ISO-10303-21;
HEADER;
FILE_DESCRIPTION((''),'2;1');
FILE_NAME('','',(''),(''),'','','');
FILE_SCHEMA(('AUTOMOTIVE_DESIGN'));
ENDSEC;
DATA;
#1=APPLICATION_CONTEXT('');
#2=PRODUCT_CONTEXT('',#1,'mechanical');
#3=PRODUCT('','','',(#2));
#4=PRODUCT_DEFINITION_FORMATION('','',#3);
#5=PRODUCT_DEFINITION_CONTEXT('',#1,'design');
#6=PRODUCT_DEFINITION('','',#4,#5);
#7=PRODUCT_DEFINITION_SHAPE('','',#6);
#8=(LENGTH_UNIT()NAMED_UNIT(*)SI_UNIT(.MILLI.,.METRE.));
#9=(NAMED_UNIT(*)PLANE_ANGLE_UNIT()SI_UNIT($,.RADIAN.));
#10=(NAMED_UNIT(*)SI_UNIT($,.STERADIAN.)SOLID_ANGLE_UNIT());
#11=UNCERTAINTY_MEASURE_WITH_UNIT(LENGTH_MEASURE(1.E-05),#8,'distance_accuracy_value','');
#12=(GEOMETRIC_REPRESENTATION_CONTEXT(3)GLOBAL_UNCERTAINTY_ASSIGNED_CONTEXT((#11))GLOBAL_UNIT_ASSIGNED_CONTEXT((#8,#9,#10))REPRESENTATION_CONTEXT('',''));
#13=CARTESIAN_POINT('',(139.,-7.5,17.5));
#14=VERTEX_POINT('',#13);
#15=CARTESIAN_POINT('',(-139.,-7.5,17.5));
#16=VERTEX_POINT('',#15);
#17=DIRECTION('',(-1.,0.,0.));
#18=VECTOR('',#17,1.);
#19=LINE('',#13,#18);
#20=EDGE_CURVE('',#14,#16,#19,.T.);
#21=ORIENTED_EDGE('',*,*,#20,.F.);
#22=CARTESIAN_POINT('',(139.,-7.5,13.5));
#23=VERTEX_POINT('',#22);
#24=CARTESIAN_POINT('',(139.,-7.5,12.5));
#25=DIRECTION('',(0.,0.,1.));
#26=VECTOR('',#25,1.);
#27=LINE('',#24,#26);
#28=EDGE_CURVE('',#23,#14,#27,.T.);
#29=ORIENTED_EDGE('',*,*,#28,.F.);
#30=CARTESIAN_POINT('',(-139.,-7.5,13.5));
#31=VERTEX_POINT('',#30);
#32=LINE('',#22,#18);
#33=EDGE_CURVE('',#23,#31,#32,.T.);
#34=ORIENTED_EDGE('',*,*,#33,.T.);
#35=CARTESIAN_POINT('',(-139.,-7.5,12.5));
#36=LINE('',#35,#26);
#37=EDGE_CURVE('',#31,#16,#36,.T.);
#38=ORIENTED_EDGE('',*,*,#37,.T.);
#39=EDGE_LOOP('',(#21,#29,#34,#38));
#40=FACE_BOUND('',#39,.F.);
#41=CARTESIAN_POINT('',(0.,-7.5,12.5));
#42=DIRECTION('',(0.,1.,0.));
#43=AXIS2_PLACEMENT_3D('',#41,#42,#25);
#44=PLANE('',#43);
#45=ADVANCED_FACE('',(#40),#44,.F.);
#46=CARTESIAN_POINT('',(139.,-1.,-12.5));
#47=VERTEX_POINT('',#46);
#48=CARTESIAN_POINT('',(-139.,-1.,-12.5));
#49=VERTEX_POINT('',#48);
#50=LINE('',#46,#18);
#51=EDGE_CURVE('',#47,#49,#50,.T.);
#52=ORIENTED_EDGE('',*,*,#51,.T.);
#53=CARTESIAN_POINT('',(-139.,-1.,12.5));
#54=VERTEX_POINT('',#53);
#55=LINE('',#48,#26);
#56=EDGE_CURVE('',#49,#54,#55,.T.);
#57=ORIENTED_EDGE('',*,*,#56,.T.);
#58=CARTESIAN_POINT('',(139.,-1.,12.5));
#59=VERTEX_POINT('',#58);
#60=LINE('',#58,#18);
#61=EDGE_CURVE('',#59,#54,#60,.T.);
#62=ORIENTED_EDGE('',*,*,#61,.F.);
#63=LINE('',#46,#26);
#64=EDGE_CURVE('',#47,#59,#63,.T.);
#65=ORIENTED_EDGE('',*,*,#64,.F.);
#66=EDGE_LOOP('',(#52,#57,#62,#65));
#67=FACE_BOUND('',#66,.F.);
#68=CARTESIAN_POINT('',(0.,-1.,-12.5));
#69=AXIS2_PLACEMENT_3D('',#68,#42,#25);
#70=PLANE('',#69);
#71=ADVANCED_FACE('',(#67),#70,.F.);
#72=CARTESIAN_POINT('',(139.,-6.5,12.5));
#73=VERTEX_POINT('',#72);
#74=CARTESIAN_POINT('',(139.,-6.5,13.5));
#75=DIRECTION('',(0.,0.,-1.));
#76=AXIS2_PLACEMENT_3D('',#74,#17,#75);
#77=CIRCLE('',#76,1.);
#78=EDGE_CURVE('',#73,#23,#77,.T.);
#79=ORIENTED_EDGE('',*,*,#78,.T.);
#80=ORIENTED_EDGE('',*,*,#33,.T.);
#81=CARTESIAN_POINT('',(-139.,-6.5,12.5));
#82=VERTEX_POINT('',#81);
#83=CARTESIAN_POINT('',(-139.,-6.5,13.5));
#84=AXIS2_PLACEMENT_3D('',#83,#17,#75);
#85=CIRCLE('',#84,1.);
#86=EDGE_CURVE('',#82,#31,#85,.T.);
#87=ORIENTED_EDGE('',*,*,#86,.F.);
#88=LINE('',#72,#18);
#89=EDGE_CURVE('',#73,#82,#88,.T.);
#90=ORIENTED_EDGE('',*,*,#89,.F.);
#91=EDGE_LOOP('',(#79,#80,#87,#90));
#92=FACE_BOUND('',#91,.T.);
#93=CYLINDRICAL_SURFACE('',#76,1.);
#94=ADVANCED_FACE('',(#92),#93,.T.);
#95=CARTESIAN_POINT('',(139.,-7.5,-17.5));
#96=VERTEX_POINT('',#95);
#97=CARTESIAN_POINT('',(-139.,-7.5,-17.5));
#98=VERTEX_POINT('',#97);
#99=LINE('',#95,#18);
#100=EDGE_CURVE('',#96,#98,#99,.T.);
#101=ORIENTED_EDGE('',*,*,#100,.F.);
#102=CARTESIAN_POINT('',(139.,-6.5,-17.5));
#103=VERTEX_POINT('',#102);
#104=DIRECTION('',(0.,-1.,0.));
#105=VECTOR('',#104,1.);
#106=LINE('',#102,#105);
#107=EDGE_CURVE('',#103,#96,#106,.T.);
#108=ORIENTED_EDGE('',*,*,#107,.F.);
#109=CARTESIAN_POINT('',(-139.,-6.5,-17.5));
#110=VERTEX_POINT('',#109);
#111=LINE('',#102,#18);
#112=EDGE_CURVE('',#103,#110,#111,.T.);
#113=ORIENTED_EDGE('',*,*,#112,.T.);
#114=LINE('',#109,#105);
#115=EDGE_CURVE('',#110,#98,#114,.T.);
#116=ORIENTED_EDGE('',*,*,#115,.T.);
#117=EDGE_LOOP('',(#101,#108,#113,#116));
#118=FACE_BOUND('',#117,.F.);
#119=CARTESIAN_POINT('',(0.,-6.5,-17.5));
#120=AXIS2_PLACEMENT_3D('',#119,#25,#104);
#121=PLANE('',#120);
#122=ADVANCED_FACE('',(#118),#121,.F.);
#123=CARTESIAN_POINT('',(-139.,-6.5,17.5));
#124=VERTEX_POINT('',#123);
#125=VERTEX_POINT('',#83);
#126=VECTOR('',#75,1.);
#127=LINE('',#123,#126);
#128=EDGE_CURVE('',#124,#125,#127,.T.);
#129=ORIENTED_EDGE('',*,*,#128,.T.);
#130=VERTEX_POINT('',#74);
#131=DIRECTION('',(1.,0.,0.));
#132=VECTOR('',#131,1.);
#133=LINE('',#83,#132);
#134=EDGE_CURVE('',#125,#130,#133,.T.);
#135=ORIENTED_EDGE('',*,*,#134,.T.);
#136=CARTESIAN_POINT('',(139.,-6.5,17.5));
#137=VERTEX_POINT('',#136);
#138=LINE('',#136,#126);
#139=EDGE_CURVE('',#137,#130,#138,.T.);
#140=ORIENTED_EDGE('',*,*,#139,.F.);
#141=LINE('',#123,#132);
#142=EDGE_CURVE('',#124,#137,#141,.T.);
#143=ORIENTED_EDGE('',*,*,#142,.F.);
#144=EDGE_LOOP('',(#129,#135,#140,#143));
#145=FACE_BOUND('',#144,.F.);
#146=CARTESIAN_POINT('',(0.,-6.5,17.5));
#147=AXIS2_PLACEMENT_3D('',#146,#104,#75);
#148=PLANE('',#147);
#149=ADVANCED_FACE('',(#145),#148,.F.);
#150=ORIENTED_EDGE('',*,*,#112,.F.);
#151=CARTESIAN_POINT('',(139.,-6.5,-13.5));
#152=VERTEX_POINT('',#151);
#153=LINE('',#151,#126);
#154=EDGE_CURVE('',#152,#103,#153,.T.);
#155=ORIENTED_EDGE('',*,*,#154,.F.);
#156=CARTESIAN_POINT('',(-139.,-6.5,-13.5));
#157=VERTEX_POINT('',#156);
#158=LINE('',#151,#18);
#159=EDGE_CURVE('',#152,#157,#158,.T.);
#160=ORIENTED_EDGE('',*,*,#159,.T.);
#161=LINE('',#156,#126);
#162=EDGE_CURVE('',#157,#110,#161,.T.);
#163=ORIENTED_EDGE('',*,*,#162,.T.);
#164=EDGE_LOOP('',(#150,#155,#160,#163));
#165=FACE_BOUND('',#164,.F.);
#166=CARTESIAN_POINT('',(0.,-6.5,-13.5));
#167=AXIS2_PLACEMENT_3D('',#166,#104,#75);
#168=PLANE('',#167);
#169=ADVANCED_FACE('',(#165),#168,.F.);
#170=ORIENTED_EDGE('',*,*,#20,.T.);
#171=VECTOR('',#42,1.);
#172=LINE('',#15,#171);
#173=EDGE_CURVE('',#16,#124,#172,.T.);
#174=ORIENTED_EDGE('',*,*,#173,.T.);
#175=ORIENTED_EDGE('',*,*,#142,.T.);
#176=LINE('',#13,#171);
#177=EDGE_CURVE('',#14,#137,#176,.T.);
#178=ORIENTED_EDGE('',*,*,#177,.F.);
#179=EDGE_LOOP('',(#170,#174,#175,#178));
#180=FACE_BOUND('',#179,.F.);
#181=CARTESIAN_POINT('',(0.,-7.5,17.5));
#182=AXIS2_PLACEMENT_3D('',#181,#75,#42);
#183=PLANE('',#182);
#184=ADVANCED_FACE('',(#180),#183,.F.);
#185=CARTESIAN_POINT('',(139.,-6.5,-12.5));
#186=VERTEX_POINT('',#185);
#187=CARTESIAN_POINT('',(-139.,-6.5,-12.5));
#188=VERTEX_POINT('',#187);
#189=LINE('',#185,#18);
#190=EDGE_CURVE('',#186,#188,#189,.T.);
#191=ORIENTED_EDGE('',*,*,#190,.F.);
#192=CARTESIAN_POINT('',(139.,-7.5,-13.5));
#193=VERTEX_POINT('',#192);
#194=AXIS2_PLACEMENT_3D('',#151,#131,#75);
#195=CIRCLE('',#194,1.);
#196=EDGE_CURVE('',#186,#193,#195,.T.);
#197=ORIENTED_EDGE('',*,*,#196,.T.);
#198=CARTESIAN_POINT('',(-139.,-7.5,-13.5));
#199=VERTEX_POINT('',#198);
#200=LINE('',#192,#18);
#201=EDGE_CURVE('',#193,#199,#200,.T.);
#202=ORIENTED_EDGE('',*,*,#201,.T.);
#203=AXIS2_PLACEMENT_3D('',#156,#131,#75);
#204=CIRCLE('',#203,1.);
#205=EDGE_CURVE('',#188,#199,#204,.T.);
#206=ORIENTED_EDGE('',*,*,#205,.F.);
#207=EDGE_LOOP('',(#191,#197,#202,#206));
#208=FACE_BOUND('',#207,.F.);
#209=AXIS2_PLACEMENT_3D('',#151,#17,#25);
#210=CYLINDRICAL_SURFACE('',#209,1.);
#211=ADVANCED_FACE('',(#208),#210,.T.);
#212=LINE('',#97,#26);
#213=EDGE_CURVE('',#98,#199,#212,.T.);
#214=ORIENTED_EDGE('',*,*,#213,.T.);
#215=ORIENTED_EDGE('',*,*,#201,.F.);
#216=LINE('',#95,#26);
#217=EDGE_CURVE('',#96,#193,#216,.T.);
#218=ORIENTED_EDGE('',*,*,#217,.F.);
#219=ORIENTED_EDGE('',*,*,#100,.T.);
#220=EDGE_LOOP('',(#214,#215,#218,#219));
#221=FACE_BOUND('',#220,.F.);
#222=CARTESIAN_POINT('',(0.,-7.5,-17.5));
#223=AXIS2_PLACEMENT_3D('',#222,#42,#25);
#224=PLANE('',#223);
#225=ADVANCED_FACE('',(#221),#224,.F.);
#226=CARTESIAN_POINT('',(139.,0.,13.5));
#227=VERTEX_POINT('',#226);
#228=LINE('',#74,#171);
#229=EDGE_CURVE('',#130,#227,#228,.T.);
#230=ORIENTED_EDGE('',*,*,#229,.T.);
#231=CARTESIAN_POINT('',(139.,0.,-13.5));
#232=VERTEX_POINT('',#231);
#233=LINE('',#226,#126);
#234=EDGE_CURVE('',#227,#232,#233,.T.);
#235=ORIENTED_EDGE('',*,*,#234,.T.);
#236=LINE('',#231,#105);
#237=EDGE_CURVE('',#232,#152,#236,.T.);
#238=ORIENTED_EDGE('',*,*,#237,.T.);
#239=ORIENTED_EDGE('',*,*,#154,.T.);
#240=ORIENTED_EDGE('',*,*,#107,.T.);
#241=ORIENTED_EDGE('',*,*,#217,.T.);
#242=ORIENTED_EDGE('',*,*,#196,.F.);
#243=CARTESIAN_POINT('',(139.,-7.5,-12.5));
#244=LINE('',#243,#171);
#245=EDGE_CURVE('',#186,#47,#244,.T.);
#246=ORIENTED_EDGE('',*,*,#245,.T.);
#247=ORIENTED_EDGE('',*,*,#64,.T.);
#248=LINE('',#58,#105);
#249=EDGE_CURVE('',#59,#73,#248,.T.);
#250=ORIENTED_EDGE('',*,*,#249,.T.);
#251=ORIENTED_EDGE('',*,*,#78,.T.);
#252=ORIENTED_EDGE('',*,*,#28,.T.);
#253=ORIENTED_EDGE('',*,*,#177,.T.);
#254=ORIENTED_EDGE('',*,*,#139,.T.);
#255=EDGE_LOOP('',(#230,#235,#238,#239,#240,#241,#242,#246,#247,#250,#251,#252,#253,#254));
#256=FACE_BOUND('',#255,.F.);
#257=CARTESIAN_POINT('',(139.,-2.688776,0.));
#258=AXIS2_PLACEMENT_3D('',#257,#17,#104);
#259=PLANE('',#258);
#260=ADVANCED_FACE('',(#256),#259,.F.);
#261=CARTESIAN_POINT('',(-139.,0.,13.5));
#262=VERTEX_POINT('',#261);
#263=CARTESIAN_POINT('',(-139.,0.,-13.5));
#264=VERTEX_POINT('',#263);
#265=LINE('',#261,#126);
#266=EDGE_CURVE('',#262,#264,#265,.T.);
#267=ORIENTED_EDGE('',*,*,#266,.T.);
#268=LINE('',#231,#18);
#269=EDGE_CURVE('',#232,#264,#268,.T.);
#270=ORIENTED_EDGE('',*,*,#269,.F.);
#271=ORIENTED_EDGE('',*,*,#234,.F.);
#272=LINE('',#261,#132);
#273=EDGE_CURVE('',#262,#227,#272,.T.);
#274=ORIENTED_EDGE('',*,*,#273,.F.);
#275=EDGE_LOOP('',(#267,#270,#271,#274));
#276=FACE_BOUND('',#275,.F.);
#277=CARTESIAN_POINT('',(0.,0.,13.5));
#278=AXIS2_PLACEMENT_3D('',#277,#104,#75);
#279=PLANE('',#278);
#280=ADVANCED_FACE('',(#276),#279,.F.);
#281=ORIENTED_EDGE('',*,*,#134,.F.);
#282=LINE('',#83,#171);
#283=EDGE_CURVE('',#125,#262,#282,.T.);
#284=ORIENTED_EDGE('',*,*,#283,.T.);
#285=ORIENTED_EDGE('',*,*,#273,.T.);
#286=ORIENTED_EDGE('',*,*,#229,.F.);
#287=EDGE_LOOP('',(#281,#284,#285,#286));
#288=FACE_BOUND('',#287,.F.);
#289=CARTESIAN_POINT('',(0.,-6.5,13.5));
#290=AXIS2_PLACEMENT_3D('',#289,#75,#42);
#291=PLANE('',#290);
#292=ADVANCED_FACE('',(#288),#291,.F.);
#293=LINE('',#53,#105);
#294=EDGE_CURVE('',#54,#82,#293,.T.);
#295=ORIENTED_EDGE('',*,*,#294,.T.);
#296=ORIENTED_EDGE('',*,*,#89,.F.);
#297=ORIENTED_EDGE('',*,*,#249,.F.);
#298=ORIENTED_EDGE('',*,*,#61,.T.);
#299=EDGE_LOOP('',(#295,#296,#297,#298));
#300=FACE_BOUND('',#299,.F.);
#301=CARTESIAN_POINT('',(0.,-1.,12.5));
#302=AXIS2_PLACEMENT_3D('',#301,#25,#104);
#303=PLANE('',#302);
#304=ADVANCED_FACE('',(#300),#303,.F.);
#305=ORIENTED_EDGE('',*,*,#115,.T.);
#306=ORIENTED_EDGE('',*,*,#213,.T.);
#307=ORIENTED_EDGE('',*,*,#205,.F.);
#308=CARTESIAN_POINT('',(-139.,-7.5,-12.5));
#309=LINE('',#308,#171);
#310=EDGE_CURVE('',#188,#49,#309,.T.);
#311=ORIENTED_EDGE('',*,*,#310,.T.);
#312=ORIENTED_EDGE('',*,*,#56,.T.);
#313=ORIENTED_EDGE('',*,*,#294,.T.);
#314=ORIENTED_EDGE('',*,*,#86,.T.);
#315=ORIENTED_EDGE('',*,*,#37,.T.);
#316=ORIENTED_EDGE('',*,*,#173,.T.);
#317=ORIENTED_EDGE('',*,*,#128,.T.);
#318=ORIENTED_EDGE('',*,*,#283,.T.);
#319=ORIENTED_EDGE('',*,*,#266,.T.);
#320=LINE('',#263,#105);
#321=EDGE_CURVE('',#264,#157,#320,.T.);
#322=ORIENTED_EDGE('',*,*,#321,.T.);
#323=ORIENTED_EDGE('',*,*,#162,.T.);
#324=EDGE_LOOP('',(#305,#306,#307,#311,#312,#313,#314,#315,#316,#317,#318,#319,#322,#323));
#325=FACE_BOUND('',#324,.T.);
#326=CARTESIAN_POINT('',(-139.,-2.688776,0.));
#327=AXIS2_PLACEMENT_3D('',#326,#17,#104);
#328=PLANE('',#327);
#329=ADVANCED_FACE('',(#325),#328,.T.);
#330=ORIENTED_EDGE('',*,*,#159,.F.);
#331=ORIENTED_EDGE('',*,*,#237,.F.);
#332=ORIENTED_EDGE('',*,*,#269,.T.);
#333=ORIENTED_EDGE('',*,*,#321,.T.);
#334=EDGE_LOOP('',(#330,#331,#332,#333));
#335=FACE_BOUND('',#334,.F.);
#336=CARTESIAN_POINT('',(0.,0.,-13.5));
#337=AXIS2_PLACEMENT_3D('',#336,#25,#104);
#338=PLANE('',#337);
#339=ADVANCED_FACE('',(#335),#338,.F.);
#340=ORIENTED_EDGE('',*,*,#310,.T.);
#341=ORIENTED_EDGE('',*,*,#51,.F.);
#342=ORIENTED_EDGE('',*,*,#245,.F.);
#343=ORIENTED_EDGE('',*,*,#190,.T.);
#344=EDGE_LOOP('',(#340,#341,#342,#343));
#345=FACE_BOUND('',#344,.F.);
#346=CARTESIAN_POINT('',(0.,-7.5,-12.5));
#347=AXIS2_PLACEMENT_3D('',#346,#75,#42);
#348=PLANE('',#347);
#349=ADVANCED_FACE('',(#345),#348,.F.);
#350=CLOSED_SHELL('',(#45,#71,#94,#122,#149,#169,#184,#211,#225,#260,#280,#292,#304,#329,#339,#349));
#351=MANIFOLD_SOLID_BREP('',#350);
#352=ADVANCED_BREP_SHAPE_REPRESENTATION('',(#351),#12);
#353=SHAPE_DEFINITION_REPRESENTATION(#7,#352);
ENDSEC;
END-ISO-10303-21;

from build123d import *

# Parameters (mm, degrees)
PAD005_DEPTH = 139
FILLET_R     = 1
FILLET001_R  = 1


with BuildPart() as part:
    # Sketch005 → Pad005 (new body, symmetric)
    with BuildSketch(Plane.YZ):
        Polygon((0, 13.5), (0, -13.5), (-6.5, -13.5), (-6.5, -17.5), (-7.5, -17.5), (-7.5, -12.5), (-1, -12.5), (-1, 12.5), (-7.5, 12.5), (-7.5, 17.5), (-6.5, 17.5), (-6.5, 13.5), align=None)
    extrude(amount=PAD005_DEPTH, both=True)

    # Fillet
    fillet_edges = [part.edges().sort_by_distance(p)[0] for p in [
        (0, -7.5, -12.5),
    ]]
    fillet(fillet_edges, radius=FILLET_R)

    # Fillet001
    fillet001_edges = [part.edges().sort_by_distance(p)[0] for p in [
        (0, -7.5, 12.5),
    ]]
    fillet(fillet001_edges, radius=FILLET001_R)


solid = part.part
